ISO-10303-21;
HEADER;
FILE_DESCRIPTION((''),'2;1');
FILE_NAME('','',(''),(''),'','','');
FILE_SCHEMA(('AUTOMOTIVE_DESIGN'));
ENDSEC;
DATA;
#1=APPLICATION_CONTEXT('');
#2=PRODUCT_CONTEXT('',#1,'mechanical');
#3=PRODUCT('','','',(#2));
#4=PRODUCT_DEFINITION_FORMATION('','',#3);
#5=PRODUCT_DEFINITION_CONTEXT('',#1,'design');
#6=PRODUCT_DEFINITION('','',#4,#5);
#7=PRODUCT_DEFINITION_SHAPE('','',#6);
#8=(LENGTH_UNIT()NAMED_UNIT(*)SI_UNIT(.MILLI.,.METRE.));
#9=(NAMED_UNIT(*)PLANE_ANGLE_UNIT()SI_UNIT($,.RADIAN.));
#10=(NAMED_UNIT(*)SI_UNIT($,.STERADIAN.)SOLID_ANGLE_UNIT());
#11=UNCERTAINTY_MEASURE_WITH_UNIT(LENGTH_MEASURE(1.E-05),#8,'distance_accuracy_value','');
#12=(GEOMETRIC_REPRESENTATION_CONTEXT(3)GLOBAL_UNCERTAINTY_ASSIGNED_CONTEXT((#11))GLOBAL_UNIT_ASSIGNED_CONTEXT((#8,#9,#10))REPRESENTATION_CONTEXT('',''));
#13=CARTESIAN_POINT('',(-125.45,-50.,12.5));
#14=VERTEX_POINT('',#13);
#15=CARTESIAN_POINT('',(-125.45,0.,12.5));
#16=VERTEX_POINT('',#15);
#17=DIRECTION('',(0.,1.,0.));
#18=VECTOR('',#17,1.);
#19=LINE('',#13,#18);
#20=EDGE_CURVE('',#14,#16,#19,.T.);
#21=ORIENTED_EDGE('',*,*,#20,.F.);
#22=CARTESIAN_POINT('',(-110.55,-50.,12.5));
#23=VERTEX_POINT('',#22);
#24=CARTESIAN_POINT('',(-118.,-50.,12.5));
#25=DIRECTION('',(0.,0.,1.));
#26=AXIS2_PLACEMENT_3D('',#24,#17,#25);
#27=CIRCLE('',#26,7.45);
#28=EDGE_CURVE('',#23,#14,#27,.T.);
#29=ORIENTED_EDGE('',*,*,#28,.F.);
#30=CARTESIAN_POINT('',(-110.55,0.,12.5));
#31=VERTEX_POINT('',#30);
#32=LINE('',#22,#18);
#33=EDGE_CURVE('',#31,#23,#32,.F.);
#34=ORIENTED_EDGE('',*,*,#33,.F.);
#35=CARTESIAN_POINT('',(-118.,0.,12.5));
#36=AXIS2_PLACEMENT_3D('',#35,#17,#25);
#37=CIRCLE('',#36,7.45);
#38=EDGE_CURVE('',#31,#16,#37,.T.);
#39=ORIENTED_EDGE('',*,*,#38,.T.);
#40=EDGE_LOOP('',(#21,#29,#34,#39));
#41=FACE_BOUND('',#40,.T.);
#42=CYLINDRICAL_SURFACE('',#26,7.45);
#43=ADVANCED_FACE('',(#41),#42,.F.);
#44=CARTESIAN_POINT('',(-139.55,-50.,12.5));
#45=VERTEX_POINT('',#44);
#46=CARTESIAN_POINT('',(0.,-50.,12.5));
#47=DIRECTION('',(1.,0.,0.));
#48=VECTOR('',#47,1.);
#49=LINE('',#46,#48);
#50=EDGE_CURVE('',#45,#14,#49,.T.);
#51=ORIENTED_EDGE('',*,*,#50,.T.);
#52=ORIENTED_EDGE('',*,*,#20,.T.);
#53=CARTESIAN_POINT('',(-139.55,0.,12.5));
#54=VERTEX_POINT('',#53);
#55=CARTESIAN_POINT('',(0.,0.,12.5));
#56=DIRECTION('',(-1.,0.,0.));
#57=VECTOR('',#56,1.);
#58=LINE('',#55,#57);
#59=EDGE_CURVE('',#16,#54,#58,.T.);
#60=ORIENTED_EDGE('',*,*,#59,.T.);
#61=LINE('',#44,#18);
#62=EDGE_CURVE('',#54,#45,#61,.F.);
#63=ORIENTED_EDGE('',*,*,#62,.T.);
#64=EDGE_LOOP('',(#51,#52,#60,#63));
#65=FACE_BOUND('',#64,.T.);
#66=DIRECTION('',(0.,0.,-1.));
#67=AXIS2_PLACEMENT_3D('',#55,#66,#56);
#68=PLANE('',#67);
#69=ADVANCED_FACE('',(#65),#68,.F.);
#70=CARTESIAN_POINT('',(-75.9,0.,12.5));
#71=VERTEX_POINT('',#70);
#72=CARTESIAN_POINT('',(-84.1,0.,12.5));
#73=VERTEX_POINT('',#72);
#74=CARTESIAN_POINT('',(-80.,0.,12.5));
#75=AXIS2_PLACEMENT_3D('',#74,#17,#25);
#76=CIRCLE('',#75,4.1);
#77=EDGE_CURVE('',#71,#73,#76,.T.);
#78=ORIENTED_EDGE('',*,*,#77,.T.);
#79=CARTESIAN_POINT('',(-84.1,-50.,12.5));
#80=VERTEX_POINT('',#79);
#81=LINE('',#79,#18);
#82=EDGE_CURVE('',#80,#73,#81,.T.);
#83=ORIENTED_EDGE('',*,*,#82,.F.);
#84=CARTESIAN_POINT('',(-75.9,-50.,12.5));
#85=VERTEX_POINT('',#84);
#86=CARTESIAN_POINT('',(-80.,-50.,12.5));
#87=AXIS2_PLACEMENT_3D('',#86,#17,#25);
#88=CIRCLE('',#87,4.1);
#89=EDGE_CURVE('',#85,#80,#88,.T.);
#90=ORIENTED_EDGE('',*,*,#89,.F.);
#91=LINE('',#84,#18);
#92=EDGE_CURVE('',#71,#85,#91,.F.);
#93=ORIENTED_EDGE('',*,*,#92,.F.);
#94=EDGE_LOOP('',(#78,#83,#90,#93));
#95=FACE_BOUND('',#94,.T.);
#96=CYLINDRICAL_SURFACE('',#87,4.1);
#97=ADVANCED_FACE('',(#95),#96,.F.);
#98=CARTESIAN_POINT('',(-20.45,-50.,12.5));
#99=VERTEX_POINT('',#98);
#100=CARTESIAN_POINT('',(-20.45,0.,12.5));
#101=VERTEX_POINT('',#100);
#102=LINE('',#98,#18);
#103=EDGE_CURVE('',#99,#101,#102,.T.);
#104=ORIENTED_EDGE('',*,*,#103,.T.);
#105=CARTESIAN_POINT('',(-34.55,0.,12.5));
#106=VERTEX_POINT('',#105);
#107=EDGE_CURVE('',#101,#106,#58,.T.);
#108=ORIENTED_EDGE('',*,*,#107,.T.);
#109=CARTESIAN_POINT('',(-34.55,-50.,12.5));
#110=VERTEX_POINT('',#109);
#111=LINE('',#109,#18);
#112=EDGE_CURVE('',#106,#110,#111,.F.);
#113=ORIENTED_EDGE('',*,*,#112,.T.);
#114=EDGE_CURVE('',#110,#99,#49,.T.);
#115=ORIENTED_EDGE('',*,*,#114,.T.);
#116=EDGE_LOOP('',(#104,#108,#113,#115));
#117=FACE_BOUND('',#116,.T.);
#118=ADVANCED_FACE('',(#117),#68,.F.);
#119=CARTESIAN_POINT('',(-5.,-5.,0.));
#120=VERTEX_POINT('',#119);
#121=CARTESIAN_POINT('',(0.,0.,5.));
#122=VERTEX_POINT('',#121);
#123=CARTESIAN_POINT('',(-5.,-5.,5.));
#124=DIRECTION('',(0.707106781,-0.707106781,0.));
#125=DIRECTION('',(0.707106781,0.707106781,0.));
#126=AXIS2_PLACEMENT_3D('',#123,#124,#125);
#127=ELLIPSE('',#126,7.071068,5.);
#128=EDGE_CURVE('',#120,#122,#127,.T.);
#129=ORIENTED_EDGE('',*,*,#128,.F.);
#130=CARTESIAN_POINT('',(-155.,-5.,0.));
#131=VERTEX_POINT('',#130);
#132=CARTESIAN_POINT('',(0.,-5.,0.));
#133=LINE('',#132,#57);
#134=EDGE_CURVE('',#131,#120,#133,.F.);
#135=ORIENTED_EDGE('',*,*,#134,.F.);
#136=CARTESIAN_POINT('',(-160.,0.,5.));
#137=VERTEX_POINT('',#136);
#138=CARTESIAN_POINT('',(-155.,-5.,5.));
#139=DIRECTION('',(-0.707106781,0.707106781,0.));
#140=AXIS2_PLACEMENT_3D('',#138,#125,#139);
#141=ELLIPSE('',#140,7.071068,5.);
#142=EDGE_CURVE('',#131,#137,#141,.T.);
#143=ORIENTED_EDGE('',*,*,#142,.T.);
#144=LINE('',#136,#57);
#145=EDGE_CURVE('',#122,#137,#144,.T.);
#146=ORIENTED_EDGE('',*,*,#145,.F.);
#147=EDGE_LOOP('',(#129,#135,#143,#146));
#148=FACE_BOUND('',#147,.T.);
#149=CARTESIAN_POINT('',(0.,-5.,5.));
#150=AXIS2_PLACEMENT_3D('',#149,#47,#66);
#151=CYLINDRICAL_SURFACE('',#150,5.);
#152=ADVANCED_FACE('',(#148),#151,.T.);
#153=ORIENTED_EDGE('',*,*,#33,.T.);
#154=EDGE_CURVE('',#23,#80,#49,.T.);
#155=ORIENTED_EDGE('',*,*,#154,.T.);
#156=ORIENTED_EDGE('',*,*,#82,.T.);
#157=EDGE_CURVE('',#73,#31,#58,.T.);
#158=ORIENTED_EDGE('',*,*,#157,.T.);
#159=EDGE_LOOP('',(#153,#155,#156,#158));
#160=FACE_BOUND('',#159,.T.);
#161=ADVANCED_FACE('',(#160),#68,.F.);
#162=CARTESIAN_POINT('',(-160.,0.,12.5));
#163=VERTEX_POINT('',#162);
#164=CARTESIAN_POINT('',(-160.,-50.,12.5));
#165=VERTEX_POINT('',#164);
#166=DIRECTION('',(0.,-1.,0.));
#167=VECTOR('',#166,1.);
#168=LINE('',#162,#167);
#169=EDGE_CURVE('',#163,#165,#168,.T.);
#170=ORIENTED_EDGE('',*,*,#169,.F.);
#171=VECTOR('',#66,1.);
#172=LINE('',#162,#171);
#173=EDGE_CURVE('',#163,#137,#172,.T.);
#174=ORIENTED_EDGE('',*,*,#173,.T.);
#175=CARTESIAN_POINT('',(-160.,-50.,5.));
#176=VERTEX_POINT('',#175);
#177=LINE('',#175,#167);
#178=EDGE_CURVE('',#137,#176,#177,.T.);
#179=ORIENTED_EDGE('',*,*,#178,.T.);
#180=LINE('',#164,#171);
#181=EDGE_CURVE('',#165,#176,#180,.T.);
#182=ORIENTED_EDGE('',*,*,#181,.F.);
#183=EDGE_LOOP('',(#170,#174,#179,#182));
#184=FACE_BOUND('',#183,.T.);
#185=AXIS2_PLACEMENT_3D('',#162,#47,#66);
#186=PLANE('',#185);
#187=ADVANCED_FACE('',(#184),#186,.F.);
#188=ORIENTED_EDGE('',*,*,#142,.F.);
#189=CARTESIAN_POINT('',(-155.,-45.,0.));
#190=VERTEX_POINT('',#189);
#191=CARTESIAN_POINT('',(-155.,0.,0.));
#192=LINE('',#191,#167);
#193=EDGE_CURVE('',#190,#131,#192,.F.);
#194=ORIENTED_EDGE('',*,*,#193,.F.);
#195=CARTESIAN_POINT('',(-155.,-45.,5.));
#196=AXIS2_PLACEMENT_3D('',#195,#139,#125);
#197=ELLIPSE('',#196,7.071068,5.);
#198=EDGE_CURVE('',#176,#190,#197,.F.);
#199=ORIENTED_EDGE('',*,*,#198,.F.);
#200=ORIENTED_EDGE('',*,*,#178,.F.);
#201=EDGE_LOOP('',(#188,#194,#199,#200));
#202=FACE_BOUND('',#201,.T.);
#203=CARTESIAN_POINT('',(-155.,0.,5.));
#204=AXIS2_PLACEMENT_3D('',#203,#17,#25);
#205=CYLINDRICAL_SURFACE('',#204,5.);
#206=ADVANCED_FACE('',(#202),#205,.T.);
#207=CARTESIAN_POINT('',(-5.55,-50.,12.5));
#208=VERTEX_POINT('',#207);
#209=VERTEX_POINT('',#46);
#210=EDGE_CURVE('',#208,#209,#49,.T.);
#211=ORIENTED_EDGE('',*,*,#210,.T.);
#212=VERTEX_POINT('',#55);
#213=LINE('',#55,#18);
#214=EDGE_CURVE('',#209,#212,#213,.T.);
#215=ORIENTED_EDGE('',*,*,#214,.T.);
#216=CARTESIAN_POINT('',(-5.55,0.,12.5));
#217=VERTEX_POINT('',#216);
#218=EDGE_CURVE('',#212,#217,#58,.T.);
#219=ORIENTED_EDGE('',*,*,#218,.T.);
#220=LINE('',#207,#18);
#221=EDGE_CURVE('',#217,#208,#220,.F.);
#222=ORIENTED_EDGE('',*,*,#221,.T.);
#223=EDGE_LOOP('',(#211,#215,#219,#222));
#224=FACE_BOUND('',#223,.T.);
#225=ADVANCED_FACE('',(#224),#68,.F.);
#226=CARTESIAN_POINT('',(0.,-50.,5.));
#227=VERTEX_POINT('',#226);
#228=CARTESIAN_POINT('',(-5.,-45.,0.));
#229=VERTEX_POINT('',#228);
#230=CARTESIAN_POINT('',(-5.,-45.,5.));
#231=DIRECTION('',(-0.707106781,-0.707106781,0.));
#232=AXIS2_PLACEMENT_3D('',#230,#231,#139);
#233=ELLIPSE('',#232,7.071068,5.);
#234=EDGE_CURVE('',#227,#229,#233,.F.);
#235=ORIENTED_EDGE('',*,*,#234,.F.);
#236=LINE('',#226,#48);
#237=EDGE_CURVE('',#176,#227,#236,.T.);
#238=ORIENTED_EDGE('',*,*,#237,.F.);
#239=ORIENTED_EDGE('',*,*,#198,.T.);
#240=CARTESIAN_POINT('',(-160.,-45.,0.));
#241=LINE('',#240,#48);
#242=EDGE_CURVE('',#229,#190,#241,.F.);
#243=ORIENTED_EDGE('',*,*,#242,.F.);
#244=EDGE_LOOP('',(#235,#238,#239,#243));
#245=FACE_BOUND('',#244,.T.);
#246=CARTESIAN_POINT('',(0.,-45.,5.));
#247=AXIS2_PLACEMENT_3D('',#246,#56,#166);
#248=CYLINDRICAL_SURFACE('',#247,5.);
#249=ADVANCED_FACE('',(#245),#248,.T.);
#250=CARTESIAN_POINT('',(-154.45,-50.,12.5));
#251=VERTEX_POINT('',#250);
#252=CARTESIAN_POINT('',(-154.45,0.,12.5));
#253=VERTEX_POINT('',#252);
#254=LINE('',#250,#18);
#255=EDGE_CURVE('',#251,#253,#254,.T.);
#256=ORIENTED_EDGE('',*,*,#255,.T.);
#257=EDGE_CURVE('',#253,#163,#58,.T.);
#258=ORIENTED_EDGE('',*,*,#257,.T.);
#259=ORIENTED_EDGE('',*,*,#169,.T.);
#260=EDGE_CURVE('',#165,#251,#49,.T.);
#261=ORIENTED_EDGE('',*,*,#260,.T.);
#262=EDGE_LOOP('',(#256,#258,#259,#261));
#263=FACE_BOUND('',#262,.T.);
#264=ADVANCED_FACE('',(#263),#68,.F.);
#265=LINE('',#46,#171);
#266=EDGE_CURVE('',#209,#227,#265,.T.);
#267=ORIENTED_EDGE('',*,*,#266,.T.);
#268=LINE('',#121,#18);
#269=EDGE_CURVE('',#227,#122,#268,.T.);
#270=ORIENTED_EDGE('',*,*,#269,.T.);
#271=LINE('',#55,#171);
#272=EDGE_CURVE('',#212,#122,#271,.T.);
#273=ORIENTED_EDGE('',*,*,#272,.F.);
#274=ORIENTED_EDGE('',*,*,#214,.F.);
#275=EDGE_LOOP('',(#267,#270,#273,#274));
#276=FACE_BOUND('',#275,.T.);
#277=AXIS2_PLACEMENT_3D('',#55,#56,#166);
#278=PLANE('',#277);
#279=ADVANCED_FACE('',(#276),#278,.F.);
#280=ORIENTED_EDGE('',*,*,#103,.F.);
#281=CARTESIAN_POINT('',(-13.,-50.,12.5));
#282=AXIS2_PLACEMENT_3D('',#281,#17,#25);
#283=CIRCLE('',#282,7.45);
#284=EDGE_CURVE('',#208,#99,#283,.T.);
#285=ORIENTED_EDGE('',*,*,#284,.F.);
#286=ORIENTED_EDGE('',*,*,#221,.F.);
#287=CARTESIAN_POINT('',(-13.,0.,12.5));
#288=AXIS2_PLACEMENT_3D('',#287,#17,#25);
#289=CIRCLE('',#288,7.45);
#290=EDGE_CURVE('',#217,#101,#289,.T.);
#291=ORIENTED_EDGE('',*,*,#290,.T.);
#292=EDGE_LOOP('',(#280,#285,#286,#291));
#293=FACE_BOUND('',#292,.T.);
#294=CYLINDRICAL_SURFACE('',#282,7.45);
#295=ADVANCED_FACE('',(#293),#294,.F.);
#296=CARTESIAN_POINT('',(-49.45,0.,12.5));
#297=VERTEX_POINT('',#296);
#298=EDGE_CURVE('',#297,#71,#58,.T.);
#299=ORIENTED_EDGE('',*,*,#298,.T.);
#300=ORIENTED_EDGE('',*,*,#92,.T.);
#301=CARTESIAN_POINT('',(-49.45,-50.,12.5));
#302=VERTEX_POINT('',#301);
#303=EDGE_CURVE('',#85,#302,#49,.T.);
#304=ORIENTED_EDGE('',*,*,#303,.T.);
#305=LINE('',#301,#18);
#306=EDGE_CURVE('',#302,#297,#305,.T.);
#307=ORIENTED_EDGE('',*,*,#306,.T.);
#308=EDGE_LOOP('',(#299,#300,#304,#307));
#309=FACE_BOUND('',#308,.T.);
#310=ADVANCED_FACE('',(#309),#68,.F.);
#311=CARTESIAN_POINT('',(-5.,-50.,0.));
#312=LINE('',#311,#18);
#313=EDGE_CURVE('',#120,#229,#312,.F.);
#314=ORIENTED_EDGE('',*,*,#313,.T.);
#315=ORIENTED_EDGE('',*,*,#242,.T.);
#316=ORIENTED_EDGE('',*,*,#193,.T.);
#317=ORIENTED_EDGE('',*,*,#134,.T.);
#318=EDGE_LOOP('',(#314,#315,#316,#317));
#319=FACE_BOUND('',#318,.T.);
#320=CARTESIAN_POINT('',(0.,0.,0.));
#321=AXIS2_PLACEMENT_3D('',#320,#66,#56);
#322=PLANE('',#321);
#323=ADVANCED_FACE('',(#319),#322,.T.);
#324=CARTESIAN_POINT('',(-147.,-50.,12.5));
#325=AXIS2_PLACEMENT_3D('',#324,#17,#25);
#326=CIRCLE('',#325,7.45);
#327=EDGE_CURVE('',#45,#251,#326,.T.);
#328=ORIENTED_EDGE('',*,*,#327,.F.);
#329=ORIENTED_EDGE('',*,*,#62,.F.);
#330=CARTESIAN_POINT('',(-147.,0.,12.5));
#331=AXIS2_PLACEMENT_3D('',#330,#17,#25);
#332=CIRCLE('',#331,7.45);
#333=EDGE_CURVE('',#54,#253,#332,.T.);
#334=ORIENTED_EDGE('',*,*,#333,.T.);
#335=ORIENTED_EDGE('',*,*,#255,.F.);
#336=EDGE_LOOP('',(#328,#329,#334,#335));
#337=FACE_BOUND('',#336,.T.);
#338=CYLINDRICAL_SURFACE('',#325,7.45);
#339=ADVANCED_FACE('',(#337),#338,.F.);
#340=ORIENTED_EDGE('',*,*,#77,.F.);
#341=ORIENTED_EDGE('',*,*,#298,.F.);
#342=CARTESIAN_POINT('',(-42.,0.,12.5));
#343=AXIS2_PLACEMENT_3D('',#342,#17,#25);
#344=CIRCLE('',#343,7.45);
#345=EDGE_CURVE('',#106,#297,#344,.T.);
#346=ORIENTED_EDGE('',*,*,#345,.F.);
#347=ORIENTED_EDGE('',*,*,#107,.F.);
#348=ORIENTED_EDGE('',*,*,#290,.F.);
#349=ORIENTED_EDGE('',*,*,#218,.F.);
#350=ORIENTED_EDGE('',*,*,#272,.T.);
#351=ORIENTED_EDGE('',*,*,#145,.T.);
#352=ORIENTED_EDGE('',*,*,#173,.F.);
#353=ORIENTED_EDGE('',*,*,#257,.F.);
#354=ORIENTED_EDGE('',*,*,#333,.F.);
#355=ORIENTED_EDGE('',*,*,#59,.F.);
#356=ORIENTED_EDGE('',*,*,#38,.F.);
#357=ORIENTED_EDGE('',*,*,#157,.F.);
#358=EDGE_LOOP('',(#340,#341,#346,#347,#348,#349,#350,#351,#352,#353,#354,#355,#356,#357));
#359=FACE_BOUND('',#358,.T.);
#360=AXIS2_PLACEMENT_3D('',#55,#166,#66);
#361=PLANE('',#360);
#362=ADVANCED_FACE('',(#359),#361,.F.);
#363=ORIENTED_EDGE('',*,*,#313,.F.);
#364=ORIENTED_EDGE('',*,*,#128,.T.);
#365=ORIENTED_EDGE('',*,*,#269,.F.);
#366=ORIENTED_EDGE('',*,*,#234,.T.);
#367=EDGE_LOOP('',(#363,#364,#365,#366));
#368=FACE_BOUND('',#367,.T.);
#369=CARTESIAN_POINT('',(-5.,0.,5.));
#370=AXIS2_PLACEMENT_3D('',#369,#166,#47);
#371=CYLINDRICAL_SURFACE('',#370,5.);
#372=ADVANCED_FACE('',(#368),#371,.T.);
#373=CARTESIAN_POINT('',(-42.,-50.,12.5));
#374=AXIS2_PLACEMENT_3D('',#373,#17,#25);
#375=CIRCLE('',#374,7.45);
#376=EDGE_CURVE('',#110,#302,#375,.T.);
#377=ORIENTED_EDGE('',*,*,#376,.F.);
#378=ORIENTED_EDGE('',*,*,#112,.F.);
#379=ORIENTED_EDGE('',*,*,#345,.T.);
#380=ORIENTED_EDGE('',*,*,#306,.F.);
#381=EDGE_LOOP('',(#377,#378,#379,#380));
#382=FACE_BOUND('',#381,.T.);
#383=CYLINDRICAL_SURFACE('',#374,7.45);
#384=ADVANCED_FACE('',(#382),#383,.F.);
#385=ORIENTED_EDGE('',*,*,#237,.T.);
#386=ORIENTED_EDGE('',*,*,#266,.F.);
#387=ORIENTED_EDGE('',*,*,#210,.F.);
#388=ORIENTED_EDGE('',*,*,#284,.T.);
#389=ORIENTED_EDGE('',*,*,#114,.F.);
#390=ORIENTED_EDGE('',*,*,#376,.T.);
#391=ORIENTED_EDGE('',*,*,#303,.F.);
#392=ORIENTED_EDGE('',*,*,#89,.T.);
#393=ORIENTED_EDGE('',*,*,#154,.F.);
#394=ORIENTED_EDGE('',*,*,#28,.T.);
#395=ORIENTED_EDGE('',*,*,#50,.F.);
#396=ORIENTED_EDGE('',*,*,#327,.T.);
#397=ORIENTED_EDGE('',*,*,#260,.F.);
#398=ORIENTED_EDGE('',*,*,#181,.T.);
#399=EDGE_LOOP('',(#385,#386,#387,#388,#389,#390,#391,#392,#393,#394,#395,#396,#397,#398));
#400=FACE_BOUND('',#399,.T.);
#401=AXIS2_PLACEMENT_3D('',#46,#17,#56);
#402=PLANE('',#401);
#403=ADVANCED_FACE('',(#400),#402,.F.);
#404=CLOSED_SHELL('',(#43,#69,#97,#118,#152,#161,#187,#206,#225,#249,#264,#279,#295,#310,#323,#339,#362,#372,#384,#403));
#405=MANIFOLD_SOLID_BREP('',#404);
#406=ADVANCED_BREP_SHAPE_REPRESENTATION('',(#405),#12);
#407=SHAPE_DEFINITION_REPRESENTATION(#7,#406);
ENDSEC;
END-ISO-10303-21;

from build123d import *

# Parameters (mm, degrees)
ESQUISSE1_W             = 160
ESQUISSE1_H             = 50
BOSS_EXTRU_1_DEPTH      = 12.5
ESQUISSE2_R             = 7.45
ESQUISSE2_R_2           = 4.1
ENL_V_MAT_EXTRU_1_DEPTH = 169.09595474
CONG_1_R                = 5


with BuildPart() as part:
    # Esquisse1 → Boss.-Extru.1 (new body)
    with BuildSketch(Plane.XY):
        with Locations((-80, -25)):
            Rectangle(ESQUISSE1_W, ESQUISSE1_H)
    extrude(amount=BOSS_EXTRU_1_DEPTH)

    # Esquisse2 → Enlèv. mat.-Extru.1 (cut, through all)
    with BuildSketch(Plane(origin=(0, 0, 0), x_dir=(1, 0, 0), z_dir=(0, 1, 0))):
        with Locations((-147, -12.5)):
            Circle(ESQUISSE2_R)
        with Locations((-118, -12.5)):
            Circle(ESQUISSE2_R)
        with Locations((-13, -12.5)):
            Circle(ESQUISSE2_R)
        with Locations((-42, -12.5)):
            Circle(ESQUISSE2_R)
        with Locations((-80, -12.5)):
            Circle(ESQUISSE2_R_2)
    extrude(amount=-ENL_V_MAT_EXTRU_1_DEPTH, mode=Mode.SUBTRACT)

    # Congé1
    cong_1_edges = [part.edges().sort_by_distance(p)[0] for p in [
        (-80, -50, 0),
        (-160, -25, 0),
        (-80, 0, 0),
        (0, -25, 0),
    ]]
    fillet(cong_1_edges, radius=CONG_1_R)


solid = part.part
